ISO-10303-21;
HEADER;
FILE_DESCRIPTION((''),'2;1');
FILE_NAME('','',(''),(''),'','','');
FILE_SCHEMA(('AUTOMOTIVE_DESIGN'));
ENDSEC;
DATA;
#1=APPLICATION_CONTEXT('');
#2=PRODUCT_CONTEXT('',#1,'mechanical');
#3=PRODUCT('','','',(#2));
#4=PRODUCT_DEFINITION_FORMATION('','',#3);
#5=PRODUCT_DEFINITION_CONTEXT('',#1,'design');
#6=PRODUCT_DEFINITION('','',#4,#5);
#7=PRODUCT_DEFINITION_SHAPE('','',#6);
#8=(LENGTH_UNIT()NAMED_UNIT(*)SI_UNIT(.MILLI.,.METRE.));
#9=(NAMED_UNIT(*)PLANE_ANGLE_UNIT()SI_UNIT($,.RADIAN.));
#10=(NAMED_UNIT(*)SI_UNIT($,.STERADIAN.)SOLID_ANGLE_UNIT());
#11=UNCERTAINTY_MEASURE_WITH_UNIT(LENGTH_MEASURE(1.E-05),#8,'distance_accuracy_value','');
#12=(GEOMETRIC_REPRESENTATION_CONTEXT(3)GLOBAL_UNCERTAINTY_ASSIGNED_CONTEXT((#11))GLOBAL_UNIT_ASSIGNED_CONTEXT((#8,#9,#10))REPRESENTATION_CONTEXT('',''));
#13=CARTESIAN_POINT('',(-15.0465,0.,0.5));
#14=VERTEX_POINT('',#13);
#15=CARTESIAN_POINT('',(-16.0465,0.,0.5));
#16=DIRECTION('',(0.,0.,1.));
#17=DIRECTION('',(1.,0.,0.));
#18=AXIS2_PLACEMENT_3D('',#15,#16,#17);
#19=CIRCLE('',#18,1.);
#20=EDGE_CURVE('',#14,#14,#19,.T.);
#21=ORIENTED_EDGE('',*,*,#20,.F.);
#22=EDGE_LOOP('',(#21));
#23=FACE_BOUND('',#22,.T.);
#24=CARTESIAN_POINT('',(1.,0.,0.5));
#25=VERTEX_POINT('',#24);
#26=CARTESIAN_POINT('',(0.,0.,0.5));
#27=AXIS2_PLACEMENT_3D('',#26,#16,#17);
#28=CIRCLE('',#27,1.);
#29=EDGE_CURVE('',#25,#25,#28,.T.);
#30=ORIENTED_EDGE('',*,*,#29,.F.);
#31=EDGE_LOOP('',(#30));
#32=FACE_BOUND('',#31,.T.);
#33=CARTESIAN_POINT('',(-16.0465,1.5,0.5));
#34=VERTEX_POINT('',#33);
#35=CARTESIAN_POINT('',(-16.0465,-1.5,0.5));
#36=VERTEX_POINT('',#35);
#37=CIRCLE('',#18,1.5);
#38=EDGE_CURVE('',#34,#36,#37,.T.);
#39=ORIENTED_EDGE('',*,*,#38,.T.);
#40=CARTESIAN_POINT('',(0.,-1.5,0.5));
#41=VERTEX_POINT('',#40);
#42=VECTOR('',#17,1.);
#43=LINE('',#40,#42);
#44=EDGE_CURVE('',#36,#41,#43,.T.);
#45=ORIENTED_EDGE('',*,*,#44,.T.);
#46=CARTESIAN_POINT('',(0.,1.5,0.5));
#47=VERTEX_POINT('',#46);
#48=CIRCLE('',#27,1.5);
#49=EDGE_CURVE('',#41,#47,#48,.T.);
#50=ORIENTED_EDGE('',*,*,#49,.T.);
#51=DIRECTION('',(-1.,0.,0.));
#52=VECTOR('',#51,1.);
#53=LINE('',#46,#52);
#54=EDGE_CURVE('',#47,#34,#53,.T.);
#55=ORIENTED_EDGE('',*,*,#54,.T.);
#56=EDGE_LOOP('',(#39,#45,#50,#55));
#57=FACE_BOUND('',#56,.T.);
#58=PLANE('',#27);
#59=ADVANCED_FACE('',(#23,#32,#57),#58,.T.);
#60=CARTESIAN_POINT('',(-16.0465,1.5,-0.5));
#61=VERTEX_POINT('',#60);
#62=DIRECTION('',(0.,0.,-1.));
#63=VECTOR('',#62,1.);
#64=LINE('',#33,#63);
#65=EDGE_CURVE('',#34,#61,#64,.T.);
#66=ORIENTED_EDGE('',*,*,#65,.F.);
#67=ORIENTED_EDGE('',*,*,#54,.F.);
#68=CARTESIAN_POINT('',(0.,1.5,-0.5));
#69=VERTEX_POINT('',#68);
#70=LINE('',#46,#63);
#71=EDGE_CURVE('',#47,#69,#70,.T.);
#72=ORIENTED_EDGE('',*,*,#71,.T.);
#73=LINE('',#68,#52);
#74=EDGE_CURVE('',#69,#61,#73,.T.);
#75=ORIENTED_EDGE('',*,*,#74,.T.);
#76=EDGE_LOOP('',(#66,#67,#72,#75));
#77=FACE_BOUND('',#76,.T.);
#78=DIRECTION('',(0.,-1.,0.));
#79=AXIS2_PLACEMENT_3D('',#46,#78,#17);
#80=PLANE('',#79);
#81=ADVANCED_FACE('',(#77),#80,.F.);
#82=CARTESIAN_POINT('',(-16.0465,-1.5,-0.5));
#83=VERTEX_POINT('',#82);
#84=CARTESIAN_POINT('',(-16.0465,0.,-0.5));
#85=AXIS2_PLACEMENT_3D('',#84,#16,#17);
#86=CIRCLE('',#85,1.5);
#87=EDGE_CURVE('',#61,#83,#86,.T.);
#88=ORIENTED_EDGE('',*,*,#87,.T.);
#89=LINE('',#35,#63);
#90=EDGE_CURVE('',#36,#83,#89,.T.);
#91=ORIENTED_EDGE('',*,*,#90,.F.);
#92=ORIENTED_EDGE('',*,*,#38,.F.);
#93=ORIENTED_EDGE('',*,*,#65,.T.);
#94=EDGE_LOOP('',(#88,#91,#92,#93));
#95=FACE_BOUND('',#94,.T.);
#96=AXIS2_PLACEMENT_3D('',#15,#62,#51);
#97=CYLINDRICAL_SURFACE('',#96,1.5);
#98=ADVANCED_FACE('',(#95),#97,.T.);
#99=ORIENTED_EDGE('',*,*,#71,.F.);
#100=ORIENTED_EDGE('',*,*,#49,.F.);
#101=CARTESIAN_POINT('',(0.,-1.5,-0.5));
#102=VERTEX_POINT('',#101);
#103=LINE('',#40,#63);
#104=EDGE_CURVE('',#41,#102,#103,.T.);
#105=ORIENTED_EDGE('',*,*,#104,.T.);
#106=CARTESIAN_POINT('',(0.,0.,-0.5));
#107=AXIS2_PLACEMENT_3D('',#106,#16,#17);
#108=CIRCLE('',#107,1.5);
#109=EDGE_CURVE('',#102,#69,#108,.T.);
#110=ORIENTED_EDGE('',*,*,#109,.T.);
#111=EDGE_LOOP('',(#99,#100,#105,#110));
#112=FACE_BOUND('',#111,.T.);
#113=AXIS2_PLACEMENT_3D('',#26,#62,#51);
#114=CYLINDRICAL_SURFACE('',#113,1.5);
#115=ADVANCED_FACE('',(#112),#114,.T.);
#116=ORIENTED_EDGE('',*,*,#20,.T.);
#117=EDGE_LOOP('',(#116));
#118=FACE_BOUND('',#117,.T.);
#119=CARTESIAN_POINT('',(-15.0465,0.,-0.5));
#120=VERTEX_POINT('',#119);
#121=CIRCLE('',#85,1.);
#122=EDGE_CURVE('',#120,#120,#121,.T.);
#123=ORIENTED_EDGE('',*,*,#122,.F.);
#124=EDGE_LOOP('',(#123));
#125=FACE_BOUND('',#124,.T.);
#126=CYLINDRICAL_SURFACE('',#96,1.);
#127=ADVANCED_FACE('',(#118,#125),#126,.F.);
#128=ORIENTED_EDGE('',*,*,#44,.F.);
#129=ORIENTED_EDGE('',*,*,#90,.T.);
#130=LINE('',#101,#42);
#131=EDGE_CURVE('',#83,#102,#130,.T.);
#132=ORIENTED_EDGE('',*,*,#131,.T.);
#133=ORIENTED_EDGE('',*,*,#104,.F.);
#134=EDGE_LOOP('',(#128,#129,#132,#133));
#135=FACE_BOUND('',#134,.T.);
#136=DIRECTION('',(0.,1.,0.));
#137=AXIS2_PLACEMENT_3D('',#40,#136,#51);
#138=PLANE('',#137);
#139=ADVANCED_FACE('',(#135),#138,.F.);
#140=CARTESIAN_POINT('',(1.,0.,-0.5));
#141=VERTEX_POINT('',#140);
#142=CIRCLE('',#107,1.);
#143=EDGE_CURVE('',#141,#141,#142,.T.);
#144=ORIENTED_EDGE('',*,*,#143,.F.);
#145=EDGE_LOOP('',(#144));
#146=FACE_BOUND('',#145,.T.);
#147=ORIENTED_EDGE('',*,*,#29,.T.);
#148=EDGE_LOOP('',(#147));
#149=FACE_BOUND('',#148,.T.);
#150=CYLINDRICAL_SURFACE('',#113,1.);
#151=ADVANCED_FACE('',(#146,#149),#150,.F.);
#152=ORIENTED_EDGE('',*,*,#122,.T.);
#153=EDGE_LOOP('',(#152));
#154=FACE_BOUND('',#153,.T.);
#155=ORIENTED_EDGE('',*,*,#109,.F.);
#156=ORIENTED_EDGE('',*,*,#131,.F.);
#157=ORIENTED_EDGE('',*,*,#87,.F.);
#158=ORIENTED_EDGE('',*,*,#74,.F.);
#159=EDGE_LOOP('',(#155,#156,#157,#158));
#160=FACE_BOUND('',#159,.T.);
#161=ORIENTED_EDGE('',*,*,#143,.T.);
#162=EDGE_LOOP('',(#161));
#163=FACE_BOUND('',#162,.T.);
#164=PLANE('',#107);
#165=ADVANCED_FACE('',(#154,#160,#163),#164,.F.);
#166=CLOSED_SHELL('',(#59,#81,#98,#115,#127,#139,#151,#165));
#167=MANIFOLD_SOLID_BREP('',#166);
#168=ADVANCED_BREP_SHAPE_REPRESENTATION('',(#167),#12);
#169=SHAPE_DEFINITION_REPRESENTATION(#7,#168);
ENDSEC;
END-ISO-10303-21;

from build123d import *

# Parameters (mm, degrees)
SKETCH1_R           = 1
BOSS_EXTRUDE1_DEPTH = 0.5


with BuildPart() as part:
    # Sketch1 → Boss-Extrude1 (new, symmetric)
    with BuildSketch(Plane.XY):
        with BuildLine():
            Line((0, -1.5), (-16.0465, -1.5))
            ThreePointArc((-16.0465, -1.5), (-17.5465, 0), (-16.0465, 1.5))
            Line((-16.0465, 1.5), (0, 1.5))
            ThreePointArc((0, 1.5), (1.5, 0), (0, -1.5))
        make_face()
        with Locations((-16.0465, 0)):
            Circle(SKETCH1_R, mode=Mode.SUBTRACT)
        Circle(SKETCH1_R, mode=Mode.SUBTRACT)
    extrude(amount=BOSS_EXTRUDE1_DEPTH, both=True)


solid = part.part
